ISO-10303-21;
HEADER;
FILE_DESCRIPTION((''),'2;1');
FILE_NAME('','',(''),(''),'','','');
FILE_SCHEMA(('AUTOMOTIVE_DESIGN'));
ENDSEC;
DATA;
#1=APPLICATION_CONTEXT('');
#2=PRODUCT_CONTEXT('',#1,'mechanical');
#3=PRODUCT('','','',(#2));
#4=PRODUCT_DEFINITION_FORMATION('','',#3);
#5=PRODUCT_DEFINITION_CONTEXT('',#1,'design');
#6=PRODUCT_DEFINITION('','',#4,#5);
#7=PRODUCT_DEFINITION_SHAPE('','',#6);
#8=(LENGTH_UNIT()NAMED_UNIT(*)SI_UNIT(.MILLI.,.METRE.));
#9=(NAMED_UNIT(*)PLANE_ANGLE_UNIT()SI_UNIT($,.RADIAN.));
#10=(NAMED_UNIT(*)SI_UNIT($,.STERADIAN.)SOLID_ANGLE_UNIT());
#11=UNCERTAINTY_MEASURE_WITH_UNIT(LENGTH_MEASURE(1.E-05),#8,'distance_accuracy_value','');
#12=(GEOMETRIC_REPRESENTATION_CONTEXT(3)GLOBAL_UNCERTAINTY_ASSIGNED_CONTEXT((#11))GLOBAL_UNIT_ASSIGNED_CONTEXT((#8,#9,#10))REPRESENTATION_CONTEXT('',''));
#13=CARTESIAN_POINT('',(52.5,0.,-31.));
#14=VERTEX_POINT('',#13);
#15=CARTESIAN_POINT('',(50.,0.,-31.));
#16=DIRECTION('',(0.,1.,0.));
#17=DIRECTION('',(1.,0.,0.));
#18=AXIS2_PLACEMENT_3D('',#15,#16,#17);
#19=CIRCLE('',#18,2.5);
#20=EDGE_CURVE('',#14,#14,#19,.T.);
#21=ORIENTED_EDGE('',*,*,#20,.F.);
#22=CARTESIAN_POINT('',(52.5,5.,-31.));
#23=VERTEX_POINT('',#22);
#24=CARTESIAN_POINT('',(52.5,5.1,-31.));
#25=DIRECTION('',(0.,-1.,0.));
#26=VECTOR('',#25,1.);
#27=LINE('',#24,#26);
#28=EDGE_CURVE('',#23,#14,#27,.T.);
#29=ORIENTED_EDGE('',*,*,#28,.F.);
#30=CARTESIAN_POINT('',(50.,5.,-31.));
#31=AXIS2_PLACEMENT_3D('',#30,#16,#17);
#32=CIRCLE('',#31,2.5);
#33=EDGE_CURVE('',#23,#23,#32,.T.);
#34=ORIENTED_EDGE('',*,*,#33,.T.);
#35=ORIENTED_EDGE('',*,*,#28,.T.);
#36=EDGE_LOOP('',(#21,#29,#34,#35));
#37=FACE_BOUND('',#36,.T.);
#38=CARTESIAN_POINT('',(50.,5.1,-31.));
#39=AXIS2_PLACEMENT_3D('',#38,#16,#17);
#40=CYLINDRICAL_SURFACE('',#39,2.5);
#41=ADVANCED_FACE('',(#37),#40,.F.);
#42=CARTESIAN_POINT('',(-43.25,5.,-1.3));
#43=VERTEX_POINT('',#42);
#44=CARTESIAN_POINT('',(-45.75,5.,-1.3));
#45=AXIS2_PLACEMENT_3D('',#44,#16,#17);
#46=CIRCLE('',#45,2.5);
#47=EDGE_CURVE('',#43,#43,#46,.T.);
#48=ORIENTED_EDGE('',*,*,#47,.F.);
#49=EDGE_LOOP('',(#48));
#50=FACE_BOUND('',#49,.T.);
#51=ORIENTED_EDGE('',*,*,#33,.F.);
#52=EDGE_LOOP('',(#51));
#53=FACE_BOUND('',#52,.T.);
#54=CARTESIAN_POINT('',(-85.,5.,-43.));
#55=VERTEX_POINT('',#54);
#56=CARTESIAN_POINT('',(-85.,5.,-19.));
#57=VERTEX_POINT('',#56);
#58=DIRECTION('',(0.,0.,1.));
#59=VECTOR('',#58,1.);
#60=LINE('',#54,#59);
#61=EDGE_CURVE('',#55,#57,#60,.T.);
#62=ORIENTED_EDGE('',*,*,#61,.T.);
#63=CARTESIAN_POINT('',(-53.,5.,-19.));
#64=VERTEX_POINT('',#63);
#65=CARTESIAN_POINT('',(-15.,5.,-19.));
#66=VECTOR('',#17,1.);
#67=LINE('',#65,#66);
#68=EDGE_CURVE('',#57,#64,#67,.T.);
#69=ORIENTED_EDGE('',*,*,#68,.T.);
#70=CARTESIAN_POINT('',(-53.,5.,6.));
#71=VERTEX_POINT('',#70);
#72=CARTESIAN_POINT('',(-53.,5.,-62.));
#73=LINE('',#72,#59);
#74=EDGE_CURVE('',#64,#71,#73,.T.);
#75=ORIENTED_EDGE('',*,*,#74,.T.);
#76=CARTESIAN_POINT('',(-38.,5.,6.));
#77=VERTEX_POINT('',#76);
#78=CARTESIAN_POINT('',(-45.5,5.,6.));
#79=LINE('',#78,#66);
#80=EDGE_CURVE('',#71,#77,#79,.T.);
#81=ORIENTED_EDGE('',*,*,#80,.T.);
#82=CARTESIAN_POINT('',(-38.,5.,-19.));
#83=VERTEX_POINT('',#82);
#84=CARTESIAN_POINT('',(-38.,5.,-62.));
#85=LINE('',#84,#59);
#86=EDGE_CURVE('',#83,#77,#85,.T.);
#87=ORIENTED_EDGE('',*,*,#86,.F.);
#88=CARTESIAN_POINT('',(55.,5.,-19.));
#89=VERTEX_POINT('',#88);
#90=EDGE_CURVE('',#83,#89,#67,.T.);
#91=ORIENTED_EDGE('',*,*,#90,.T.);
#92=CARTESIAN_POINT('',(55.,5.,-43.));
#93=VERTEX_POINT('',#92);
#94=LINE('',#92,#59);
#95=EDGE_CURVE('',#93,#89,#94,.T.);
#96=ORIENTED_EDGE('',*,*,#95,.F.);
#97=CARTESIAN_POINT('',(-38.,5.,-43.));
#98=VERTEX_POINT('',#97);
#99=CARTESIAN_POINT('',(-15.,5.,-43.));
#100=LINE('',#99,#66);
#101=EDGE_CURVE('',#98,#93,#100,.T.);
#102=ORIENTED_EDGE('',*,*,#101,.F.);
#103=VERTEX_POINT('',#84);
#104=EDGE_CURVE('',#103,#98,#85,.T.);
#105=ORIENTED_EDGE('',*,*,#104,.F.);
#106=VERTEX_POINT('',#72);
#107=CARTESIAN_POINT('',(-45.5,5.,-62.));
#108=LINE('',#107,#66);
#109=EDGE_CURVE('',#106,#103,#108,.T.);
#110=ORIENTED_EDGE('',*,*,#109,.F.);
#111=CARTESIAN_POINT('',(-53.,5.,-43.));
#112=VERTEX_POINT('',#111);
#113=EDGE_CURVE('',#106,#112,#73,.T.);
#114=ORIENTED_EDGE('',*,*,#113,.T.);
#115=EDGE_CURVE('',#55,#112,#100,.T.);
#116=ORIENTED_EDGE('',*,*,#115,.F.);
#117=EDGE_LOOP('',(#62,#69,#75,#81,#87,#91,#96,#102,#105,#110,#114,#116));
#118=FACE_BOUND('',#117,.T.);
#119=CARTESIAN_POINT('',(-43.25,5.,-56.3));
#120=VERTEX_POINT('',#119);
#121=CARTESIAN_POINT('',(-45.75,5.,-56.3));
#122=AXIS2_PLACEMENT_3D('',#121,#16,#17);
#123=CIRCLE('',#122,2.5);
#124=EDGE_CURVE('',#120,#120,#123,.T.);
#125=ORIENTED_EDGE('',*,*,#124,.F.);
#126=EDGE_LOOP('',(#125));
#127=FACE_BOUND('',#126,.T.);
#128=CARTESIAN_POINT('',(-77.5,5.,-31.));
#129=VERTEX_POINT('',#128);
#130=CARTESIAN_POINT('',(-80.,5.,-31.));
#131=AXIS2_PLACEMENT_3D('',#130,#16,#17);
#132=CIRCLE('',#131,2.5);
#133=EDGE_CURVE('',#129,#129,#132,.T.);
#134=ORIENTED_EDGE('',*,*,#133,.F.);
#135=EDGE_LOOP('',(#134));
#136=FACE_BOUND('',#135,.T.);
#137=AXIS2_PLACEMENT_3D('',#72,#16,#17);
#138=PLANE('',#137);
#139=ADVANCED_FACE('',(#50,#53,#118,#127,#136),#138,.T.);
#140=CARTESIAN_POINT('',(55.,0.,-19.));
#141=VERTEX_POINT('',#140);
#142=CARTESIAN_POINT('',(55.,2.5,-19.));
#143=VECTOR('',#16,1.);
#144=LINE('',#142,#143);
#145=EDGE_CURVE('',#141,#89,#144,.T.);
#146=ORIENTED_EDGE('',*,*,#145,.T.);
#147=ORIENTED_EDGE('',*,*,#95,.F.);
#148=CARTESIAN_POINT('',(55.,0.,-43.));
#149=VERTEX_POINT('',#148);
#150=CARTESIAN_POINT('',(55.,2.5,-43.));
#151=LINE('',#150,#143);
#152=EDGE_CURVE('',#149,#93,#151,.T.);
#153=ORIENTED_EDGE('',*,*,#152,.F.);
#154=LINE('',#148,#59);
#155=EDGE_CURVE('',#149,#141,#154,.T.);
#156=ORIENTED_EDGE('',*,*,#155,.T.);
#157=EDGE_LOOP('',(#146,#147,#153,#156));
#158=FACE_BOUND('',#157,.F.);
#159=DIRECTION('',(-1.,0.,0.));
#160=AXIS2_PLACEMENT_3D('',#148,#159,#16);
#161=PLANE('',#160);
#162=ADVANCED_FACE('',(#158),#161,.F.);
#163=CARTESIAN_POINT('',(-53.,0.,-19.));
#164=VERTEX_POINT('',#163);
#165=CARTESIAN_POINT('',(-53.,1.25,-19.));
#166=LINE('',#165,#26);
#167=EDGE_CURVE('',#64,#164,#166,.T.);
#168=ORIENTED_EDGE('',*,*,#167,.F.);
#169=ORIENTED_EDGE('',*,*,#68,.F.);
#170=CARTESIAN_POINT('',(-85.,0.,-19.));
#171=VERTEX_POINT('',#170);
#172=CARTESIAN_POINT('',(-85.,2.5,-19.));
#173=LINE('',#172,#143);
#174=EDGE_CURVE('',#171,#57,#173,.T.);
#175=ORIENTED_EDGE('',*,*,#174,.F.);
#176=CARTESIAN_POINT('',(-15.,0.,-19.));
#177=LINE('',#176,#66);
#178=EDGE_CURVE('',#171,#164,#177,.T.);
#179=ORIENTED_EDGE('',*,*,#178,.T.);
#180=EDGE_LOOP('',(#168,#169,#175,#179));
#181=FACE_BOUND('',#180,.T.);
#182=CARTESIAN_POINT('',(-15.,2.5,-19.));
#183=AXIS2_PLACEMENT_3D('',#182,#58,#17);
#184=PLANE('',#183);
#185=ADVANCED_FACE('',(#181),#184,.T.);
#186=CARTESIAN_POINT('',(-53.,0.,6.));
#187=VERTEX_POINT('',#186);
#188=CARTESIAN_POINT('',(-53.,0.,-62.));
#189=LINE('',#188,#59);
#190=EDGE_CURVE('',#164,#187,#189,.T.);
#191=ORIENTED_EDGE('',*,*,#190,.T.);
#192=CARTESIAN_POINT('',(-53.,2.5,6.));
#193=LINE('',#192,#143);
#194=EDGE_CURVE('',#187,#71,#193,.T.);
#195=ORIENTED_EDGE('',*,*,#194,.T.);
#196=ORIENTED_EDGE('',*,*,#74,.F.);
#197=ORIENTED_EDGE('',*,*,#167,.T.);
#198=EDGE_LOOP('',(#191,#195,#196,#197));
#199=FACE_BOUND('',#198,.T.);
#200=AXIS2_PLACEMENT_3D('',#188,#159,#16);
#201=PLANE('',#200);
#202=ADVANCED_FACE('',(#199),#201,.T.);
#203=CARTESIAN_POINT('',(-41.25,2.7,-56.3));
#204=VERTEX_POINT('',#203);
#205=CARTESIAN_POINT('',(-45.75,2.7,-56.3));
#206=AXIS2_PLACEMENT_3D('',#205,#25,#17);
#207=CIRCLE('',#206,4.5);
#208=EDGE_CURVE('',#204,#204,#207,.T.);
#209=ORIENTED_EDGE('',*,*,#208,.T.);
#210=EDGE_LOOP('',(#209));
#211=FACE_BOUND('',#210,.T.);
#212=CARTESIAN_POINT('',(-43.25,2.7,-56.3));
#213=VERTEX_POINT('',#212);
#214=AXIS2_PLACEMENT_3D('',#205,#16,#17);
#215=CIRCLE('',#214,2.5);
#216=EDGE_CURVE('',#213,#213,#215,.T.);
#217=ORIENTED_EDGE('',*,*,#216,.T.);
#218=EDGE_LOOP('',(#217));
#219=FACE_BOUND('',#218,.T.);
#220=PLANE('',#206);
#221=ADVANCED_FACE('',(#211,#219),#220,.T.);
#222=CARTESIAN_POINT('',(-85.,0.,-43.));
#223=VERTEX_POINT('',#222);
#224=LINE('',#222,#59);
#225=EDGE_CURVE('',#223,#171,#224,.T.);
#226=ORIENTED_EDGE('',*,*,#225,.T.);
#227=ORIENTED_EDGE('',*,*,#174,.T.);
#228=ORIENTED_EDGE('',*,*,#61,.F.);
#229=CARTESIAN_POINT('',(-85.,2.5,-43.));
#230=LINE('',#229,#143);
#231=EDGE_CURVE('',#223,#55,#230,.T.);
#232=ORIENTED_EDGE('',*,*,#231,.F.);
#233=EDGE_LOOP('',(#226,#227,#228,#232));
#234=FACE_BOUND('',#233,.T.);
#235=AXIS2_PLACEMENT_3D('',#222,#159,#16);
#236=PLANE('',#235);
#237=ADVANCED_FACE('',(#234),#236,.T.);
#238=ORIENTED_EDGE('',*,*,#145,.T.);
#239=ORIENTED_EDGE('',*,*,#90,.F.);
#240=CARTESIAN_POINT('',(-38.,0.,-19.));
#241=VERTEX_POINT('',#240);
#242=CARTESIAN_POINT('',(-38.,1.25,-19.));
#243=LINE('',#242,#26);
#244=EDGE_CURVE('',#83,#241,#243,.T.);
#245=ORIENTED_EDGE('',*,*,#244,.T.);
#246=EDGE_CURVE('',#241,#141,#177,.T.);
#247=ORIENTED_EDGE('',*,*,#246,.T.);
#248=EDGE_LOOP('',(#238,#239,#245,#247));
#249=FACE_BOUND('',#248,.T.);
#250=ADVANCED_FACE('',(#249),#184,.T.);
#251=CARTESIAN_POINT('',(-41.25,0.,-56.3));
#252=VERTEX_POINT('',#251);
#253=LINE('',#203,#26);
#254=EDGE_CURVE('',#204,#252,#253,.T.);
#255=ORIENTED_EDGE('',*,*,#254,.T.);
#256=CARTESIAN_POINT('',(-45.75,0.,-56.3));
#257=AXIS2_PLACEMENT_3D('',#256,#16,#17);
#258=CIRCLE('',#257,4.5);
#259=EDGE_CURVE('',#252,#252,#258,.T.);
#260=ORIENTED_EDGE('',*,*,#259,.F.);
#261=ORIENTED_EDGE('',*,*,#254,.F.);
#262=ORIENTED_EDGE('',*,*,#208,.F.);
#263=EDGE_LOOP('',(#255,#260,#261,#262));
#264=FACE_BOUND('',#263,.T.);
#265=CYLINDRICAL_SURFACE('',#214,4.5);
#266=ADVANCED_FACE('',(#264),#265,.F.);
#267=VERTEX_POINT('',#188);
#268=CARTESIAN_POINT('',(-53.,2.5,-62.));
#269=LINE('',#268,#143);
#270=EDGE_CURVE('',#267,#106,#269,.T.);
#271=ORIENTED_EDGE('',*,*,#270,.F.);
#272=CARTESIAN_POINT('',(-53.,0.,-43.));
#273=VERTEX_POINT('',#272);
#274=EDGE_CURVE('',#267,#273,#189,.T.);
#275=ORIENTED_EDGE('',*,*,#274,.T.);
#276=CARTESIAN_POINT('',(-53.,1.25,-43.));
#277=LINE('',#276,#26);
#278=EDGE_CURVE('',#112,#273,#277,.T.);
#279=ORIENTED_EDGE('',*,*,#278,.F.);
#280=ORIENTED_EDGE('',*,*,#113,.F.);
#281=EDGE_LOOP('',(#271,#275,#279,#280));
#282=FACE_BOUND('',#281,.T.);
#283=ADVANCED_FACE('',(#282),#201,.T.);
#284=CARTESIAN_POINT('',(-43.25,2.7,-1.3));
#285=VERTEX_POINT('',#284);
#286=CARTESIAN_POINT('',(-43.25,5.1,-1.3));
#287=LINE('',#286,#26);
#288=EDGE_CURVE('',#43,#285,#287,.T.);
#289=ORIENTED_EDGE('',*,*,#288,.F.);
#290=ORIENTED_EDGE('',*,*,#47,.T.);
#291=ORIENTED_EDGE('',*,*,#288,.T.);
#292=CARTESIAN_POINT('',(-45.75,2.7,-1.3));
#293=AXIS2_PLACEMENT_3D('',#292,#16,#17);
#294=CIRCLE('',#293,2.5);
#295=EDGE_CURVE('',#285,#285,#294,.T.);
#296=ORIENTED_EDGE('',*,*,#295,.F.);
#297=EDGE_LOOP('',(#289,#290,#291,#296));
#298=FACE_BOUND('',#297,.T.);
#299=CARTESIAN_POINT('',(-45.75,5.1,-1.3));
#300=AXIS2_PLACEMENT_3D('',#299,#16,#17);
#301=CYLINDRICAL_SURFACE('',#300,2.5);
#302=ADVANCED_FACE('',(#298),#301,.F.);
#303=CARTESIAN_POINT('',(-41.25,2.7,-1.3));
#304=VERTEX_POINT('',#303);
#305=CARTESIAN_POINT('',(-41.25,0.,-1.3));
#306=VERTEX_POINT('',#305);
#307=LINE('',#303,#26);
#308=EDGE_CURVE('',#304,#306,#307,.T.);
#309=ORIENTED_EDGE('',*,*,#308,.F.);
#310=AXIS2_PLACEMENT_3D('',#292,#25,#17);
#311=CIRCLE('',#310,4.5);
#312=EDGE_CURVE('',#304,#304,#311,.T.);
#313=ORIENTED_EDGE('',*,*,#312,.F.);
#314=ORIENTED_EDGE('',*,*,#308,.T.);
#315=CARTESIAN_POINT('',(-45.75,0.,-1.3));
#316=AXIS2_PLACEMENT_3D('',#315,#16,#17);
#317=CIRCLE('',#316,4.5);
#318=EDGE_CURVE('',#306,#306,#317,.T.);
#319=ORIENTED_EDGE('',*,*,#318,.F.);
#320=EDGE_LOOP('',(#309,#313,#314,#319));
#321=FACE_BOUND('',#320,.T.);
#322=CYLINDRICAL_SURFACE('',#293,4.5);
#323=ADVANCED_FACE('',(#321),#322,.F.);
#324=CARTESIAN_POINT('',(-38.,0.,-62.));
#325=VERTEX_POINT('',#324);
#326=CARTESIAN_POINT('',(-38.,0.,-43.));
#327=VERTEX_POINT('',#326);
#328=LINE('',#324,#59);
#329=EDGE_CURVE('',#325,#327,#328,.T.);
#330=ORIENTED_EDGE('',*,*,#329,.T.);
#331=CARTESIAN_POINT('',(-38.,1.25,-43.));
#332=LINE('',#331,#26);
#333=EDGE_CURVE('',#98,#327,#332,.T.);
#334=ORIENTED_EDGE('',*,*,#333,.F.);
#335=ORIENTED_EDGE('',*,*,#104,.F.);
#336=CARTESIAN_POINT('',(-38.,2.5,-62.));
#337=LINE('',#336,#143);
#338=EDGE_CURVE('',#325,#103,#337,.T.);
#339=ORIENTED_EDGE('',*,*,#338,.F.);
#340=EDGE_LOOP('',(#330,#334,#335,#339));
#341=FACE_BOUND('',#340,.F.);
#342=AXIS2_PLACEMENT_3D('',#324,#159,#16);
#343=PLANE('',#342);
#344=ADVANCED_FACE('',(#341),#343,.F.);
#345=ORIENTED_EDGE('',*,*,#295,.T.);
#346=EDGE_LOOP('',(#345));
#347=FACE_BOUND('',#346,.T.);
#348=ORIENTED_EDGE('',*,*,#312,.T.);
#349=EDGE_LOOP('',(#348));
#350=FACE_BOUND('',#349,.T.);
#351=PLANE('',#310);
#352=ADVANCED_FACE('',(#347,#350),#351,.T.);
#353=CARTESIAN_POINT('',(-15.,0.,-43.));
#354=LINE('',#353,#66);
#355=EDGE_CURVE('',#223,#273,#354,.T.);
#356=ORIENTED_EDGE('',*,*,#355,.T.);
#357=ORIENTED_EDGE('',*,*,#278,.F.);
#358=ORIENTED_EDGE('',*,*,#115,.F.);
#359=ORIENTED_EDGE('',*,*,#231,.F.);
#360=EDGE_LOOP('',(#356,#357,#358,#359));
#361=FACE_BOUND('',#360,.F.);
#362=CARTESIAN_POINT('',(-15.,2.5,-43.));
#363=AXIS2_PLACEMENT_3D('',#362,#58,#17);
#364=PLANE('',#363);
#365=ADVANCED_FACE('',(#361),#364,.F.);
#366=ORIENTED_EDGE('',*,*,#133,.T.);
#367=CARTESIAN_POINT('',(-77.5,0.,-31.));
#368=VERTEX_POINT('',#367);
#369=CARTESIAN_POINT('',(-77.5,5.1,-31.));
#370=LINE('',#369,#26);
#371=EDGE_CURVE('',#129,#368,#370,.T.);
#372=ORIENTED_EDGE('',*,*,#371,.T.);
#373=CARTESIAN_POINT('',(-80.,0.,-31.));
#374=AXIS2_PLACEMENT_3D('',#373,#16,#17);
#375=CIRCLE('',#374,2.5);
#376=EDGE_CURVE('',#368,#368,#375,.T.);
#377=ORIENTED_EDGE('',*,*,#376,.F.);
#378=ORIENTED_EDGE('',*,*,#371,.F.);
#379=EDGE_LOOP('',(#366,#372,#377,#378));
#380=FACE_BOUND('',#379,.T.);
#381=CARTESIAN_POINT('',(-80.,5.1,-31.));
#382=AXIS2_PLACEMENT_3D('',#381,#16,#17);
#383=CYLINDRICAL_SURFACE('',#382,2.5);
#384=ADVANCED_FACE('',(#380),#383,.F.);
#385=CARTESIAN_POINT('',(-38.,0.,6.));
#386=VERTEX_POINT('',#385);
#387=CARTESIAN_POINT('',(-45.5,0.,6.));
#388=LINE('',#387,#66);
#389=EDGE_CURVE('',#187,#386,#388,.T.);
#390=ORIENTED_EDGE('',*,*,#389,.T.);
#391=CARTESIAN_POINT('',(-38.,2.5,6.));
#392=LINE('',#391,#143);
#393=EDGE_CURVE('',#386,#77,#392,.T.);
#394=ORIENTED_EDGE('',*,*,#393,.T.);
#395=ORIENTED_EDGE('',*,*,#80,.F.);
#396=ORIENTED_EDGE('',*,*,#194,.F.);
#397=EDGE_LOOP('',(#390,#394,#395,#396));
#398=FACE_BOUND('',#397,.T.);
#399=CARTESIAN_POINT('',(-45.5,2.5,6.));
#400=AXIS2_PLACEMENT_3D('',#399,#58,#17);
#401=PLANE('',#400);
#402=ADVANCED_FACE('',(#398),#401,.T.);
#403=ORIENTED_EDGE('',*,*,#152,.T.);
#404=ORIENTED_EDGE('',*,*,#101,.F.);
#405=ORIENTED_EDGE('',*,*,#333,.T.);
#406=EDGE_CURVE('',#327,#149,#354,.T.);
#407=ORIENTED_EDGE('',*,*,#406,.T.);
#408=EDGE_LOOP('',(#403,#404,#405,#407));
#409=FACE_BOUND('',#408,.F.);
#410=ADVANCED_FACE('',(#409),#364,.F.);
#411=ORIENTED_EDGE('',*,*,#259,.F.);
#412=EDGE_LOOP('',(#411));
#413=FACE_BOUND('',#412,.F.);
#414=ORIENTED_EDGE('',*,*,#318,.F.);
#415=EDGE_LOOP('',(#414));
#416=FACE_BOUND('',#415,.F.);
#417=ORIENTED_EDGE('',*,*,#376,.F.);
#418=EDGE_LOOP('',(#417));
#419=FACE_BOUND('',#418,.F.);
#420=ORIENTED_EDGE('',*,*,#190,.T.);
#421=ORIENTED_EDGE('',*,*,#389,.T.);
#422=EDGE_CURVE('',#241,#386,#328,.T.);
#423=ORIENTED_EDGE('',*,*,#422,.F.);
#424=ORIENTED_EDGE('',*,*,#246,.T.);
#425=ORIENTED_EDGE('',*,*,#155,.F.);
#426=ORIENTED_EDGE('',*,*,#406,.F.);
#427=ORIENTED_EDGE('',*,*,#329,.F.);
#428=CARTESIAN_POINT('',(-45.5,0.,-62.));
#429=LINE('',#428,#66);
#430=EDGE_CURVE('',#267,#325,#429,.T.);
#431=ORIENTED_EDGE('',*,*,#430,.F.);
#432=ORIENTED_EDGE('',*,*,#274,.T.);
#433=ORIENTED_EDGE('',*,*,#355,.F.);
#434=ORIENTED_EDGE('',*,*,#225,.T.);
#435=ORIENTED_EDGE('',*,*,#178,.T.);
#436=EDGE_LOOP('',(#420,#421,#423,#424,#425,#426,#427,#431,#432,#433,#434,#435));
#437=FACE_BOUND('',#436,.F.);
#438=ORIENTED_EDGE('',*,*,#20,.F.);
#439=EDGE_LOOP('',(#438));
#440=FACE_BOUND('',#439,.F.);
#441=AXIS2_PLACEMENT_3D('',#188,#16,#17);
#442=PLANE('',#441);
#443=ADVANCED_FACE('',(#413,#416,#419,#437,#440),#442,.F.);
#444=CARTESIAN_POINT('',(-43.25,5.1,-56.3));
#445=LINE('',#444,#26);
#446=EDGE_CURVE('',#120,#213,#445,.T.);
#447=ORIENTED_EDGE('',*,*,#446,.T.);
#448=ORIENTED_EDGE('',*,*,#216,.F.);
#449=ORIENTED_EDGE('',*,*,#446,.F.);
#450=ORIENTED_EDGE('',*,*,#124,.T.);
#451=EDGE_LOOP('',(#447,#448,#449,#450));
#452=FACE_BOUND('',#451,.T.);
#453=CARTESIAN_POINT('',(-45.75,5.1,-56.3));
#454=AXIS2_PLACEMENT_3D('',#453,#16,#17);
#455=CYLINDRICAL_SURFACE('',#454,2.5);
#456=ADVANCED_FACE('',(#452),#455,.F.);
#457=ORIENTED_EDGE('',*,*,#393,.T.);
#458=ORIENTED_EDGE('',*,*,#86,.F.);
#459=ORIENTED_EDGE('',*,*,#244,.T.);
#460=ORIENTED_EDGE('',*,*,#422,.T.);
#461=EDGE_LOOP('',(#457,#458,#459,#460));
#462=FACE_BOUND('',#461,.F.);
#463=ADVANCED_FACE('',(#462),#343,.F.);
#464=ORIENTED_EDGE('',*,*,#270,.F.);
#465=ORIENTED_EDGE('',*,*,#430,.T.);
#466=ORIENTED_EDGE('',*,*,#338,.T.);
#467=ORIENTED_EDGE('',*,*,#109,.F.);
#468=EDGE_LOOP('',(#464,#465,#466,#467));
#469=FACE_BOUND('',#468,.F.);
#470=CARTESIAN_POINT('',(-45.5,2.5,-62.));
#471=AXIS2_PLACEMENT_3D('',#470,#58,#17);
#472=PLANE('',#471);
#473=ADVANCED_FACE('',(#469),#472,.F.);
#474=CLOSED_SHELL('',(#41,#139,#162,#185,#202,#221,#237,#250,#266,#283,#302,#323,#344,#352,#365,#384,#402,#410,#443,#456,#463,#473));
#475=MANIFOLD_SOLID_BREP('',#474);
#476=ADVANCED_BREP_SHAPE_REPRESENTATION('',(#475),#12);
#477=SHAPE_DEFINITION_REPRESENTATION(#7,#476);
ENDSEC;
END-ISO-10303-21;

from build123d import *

# Parameters (mm, degrees)
CYLINDER046_R     = 4.5
CYLINDER046_DEPTH = 10
CYLINDER047_R     = 4.5
CYLINDER047_DEPTH = 10
CYLINDER041_R     = 2.5
CYLINDER041_DEPTH = 10
CYLINDER042_R     = 2.5
CYLINDER042_DEPTH = 10
CYLINDER043_R     = 2.5
CYLINDER043_DEPTH = 10
CYLINDER044_R     = 2.5
CYLINDER044_DEPTH = 10
CYLINDER040_R     = 2.5
CYLINDER040_DEPTH = 10
CYLINDER045_R     = 2.5
CYLINDER045_DEPTH = 10
BOX006_W          = 15
BOX006_H          = 5
BOX006_DEPTH      = 68
BOX005_W          = 140
BOX005_H          = 5
BOX005_DEPTH      = 24


with BuildPart() as cylinder046:
    # Cylinder046 → Cylinder046 (new body)
    with BuildSketch(Plane(origin=(-45.75, 0, -56.3), x_dir=(1, 0, 0), z_dir=(0, -1, 0))):
        Circle(CYLINDER046_R)
    extrude(amount=CYLINDER046_DEPTH)


with BuildPart() as m3bltinput:
    # Cylinder047 → Cylinder047 (new body)
    with BuildSketch(Plane(origin=(-45.75, 0, -1.3), x_dir=(1, 0, 0), z_dir=(0, -1, 0))):
        Circle(CYLINDER047_R)
    extrude(amount=CYLINDER047_DEPTH)

    # Fusion016: union Cylinder046
    add(cylinder046.part)


with BuildPart() as m3bltinput_1:
    # Fusion016 placement: moved
    add(m3bltinput.part.moved(Location((0, 2.7, 0))))


with BuildPart() as cylinder041:
    # Cylinder041 → Cylinder041 (new body)
    with BuildSketch(Plane(origin=(115, 0, -31), x_dir=(1, 0, 0), z_dir=(0, -1, 0))):
        Circle(CYLINDER041_R)
    extrude(amount=CYLINDER041_DEPTH)


with BuildPart() as cylinder042:
    # Cylinder042 → Cylinder042 (new body)
    with BuildSketch(Plane(origin=(-80, 0, -31), x_dir=(1, 0, 0), z_dir=(0, -1, 0))):
        Circle(CYLINDER042_R)
    extrude(amount=CYLINDER042_DEPTH)


with BuildPart() as cylinder043:
    # Cylinder043 → Cylinder043 (new body)
    with BuildSketch(Plane(origin=(50, 0, -31), x_dir=(1, 0, 0), z_dir=(0, -1, 0))):
        Circle(CYLINDER043_R)
    extrude(amount=CYLINDER043_DEPTH)


with BuildPart() as cylinder044:
    # Cylinder044 → Cylinder044 (new body)
    with BuildSketch(Plane(origin=(-45.75, 0, -56.3), x_dir=(1, 0, 0), z_dir=(0, -1, 0))):
        Circle(CYLINDER044_R)
    extrude(amount=CYLINDER044_DEPTH)


with BuildPart() as cylinder040:
    # Cylinder040 → Cylinder040 (new body)
    with BuildSketch(Plane(origin=(-115, 0, -31), x_dir=(1, 0, 0), z_dir=(0, -1, 0))):
        Circle(CYLINDER040_R)
    extrude(amount=CYLINDER040_DEPTH)


with BuildPart() as fusion019:
    # Cylinder045 → Cylinder045 (new body)
    with BuildSketch(Plane(origin=(-45.75, 0, -1.3), x_dir=(1, 0, 0), z_dir=(0, -1, 0))):
        Circle(CYLINDER045_R)
    extrude(amount=CYLINDER045_DEPTH)

    # Fusion015: union Cylinder041, Cylinder042, Cylinder043, Cylinder044, Cylinder040
    add(cylinder041.part)
    add(cylinder042.part)
    add(cylinder043.part)
    add(cylinder044.part)
    add(cylinder040.part)


with BuildPart() as fusion019_1:
    # Fusion015 placement: moved
    add(fusion019.part.moved(Location((0, 5.1, 0))))

    # Fusion019: union M3BltInput
    add(m3bltinput_1.part)


with BuildPart() as cube005:
    # Box006 → Box006 (new body)
    with BuildSketch(Plane(origin=(-53, 0, -62), x_dir=(1, 0, 0), z_dir=(0, 0, 1))):
        with Locations((7.5, 2.5)):
            Rectangle(BOX006_W, BOX006_H)
    extrude(amount=BOX006_DEPTH)


with BuildPart() as powerbase:
    # Box005 → Box005 (new body)
    with BuildSketch(Plane(origin=(-85, 0, -43), x_dir=(1, 0, 0), z_dir=(0, 0, 1))):
        with Locations((70, 2.5)):
            Rectangle(BOX005_W, BOX005_H)
    extrude(amount=BOX005_DEPTH)

    # Fusion014: union Cube005
    add(cube005.part)

    # Cut002: cut Fusion019
    add(fusion019_1.part, mode=Mode.SUBTRACT)


solid = powerbase.part
